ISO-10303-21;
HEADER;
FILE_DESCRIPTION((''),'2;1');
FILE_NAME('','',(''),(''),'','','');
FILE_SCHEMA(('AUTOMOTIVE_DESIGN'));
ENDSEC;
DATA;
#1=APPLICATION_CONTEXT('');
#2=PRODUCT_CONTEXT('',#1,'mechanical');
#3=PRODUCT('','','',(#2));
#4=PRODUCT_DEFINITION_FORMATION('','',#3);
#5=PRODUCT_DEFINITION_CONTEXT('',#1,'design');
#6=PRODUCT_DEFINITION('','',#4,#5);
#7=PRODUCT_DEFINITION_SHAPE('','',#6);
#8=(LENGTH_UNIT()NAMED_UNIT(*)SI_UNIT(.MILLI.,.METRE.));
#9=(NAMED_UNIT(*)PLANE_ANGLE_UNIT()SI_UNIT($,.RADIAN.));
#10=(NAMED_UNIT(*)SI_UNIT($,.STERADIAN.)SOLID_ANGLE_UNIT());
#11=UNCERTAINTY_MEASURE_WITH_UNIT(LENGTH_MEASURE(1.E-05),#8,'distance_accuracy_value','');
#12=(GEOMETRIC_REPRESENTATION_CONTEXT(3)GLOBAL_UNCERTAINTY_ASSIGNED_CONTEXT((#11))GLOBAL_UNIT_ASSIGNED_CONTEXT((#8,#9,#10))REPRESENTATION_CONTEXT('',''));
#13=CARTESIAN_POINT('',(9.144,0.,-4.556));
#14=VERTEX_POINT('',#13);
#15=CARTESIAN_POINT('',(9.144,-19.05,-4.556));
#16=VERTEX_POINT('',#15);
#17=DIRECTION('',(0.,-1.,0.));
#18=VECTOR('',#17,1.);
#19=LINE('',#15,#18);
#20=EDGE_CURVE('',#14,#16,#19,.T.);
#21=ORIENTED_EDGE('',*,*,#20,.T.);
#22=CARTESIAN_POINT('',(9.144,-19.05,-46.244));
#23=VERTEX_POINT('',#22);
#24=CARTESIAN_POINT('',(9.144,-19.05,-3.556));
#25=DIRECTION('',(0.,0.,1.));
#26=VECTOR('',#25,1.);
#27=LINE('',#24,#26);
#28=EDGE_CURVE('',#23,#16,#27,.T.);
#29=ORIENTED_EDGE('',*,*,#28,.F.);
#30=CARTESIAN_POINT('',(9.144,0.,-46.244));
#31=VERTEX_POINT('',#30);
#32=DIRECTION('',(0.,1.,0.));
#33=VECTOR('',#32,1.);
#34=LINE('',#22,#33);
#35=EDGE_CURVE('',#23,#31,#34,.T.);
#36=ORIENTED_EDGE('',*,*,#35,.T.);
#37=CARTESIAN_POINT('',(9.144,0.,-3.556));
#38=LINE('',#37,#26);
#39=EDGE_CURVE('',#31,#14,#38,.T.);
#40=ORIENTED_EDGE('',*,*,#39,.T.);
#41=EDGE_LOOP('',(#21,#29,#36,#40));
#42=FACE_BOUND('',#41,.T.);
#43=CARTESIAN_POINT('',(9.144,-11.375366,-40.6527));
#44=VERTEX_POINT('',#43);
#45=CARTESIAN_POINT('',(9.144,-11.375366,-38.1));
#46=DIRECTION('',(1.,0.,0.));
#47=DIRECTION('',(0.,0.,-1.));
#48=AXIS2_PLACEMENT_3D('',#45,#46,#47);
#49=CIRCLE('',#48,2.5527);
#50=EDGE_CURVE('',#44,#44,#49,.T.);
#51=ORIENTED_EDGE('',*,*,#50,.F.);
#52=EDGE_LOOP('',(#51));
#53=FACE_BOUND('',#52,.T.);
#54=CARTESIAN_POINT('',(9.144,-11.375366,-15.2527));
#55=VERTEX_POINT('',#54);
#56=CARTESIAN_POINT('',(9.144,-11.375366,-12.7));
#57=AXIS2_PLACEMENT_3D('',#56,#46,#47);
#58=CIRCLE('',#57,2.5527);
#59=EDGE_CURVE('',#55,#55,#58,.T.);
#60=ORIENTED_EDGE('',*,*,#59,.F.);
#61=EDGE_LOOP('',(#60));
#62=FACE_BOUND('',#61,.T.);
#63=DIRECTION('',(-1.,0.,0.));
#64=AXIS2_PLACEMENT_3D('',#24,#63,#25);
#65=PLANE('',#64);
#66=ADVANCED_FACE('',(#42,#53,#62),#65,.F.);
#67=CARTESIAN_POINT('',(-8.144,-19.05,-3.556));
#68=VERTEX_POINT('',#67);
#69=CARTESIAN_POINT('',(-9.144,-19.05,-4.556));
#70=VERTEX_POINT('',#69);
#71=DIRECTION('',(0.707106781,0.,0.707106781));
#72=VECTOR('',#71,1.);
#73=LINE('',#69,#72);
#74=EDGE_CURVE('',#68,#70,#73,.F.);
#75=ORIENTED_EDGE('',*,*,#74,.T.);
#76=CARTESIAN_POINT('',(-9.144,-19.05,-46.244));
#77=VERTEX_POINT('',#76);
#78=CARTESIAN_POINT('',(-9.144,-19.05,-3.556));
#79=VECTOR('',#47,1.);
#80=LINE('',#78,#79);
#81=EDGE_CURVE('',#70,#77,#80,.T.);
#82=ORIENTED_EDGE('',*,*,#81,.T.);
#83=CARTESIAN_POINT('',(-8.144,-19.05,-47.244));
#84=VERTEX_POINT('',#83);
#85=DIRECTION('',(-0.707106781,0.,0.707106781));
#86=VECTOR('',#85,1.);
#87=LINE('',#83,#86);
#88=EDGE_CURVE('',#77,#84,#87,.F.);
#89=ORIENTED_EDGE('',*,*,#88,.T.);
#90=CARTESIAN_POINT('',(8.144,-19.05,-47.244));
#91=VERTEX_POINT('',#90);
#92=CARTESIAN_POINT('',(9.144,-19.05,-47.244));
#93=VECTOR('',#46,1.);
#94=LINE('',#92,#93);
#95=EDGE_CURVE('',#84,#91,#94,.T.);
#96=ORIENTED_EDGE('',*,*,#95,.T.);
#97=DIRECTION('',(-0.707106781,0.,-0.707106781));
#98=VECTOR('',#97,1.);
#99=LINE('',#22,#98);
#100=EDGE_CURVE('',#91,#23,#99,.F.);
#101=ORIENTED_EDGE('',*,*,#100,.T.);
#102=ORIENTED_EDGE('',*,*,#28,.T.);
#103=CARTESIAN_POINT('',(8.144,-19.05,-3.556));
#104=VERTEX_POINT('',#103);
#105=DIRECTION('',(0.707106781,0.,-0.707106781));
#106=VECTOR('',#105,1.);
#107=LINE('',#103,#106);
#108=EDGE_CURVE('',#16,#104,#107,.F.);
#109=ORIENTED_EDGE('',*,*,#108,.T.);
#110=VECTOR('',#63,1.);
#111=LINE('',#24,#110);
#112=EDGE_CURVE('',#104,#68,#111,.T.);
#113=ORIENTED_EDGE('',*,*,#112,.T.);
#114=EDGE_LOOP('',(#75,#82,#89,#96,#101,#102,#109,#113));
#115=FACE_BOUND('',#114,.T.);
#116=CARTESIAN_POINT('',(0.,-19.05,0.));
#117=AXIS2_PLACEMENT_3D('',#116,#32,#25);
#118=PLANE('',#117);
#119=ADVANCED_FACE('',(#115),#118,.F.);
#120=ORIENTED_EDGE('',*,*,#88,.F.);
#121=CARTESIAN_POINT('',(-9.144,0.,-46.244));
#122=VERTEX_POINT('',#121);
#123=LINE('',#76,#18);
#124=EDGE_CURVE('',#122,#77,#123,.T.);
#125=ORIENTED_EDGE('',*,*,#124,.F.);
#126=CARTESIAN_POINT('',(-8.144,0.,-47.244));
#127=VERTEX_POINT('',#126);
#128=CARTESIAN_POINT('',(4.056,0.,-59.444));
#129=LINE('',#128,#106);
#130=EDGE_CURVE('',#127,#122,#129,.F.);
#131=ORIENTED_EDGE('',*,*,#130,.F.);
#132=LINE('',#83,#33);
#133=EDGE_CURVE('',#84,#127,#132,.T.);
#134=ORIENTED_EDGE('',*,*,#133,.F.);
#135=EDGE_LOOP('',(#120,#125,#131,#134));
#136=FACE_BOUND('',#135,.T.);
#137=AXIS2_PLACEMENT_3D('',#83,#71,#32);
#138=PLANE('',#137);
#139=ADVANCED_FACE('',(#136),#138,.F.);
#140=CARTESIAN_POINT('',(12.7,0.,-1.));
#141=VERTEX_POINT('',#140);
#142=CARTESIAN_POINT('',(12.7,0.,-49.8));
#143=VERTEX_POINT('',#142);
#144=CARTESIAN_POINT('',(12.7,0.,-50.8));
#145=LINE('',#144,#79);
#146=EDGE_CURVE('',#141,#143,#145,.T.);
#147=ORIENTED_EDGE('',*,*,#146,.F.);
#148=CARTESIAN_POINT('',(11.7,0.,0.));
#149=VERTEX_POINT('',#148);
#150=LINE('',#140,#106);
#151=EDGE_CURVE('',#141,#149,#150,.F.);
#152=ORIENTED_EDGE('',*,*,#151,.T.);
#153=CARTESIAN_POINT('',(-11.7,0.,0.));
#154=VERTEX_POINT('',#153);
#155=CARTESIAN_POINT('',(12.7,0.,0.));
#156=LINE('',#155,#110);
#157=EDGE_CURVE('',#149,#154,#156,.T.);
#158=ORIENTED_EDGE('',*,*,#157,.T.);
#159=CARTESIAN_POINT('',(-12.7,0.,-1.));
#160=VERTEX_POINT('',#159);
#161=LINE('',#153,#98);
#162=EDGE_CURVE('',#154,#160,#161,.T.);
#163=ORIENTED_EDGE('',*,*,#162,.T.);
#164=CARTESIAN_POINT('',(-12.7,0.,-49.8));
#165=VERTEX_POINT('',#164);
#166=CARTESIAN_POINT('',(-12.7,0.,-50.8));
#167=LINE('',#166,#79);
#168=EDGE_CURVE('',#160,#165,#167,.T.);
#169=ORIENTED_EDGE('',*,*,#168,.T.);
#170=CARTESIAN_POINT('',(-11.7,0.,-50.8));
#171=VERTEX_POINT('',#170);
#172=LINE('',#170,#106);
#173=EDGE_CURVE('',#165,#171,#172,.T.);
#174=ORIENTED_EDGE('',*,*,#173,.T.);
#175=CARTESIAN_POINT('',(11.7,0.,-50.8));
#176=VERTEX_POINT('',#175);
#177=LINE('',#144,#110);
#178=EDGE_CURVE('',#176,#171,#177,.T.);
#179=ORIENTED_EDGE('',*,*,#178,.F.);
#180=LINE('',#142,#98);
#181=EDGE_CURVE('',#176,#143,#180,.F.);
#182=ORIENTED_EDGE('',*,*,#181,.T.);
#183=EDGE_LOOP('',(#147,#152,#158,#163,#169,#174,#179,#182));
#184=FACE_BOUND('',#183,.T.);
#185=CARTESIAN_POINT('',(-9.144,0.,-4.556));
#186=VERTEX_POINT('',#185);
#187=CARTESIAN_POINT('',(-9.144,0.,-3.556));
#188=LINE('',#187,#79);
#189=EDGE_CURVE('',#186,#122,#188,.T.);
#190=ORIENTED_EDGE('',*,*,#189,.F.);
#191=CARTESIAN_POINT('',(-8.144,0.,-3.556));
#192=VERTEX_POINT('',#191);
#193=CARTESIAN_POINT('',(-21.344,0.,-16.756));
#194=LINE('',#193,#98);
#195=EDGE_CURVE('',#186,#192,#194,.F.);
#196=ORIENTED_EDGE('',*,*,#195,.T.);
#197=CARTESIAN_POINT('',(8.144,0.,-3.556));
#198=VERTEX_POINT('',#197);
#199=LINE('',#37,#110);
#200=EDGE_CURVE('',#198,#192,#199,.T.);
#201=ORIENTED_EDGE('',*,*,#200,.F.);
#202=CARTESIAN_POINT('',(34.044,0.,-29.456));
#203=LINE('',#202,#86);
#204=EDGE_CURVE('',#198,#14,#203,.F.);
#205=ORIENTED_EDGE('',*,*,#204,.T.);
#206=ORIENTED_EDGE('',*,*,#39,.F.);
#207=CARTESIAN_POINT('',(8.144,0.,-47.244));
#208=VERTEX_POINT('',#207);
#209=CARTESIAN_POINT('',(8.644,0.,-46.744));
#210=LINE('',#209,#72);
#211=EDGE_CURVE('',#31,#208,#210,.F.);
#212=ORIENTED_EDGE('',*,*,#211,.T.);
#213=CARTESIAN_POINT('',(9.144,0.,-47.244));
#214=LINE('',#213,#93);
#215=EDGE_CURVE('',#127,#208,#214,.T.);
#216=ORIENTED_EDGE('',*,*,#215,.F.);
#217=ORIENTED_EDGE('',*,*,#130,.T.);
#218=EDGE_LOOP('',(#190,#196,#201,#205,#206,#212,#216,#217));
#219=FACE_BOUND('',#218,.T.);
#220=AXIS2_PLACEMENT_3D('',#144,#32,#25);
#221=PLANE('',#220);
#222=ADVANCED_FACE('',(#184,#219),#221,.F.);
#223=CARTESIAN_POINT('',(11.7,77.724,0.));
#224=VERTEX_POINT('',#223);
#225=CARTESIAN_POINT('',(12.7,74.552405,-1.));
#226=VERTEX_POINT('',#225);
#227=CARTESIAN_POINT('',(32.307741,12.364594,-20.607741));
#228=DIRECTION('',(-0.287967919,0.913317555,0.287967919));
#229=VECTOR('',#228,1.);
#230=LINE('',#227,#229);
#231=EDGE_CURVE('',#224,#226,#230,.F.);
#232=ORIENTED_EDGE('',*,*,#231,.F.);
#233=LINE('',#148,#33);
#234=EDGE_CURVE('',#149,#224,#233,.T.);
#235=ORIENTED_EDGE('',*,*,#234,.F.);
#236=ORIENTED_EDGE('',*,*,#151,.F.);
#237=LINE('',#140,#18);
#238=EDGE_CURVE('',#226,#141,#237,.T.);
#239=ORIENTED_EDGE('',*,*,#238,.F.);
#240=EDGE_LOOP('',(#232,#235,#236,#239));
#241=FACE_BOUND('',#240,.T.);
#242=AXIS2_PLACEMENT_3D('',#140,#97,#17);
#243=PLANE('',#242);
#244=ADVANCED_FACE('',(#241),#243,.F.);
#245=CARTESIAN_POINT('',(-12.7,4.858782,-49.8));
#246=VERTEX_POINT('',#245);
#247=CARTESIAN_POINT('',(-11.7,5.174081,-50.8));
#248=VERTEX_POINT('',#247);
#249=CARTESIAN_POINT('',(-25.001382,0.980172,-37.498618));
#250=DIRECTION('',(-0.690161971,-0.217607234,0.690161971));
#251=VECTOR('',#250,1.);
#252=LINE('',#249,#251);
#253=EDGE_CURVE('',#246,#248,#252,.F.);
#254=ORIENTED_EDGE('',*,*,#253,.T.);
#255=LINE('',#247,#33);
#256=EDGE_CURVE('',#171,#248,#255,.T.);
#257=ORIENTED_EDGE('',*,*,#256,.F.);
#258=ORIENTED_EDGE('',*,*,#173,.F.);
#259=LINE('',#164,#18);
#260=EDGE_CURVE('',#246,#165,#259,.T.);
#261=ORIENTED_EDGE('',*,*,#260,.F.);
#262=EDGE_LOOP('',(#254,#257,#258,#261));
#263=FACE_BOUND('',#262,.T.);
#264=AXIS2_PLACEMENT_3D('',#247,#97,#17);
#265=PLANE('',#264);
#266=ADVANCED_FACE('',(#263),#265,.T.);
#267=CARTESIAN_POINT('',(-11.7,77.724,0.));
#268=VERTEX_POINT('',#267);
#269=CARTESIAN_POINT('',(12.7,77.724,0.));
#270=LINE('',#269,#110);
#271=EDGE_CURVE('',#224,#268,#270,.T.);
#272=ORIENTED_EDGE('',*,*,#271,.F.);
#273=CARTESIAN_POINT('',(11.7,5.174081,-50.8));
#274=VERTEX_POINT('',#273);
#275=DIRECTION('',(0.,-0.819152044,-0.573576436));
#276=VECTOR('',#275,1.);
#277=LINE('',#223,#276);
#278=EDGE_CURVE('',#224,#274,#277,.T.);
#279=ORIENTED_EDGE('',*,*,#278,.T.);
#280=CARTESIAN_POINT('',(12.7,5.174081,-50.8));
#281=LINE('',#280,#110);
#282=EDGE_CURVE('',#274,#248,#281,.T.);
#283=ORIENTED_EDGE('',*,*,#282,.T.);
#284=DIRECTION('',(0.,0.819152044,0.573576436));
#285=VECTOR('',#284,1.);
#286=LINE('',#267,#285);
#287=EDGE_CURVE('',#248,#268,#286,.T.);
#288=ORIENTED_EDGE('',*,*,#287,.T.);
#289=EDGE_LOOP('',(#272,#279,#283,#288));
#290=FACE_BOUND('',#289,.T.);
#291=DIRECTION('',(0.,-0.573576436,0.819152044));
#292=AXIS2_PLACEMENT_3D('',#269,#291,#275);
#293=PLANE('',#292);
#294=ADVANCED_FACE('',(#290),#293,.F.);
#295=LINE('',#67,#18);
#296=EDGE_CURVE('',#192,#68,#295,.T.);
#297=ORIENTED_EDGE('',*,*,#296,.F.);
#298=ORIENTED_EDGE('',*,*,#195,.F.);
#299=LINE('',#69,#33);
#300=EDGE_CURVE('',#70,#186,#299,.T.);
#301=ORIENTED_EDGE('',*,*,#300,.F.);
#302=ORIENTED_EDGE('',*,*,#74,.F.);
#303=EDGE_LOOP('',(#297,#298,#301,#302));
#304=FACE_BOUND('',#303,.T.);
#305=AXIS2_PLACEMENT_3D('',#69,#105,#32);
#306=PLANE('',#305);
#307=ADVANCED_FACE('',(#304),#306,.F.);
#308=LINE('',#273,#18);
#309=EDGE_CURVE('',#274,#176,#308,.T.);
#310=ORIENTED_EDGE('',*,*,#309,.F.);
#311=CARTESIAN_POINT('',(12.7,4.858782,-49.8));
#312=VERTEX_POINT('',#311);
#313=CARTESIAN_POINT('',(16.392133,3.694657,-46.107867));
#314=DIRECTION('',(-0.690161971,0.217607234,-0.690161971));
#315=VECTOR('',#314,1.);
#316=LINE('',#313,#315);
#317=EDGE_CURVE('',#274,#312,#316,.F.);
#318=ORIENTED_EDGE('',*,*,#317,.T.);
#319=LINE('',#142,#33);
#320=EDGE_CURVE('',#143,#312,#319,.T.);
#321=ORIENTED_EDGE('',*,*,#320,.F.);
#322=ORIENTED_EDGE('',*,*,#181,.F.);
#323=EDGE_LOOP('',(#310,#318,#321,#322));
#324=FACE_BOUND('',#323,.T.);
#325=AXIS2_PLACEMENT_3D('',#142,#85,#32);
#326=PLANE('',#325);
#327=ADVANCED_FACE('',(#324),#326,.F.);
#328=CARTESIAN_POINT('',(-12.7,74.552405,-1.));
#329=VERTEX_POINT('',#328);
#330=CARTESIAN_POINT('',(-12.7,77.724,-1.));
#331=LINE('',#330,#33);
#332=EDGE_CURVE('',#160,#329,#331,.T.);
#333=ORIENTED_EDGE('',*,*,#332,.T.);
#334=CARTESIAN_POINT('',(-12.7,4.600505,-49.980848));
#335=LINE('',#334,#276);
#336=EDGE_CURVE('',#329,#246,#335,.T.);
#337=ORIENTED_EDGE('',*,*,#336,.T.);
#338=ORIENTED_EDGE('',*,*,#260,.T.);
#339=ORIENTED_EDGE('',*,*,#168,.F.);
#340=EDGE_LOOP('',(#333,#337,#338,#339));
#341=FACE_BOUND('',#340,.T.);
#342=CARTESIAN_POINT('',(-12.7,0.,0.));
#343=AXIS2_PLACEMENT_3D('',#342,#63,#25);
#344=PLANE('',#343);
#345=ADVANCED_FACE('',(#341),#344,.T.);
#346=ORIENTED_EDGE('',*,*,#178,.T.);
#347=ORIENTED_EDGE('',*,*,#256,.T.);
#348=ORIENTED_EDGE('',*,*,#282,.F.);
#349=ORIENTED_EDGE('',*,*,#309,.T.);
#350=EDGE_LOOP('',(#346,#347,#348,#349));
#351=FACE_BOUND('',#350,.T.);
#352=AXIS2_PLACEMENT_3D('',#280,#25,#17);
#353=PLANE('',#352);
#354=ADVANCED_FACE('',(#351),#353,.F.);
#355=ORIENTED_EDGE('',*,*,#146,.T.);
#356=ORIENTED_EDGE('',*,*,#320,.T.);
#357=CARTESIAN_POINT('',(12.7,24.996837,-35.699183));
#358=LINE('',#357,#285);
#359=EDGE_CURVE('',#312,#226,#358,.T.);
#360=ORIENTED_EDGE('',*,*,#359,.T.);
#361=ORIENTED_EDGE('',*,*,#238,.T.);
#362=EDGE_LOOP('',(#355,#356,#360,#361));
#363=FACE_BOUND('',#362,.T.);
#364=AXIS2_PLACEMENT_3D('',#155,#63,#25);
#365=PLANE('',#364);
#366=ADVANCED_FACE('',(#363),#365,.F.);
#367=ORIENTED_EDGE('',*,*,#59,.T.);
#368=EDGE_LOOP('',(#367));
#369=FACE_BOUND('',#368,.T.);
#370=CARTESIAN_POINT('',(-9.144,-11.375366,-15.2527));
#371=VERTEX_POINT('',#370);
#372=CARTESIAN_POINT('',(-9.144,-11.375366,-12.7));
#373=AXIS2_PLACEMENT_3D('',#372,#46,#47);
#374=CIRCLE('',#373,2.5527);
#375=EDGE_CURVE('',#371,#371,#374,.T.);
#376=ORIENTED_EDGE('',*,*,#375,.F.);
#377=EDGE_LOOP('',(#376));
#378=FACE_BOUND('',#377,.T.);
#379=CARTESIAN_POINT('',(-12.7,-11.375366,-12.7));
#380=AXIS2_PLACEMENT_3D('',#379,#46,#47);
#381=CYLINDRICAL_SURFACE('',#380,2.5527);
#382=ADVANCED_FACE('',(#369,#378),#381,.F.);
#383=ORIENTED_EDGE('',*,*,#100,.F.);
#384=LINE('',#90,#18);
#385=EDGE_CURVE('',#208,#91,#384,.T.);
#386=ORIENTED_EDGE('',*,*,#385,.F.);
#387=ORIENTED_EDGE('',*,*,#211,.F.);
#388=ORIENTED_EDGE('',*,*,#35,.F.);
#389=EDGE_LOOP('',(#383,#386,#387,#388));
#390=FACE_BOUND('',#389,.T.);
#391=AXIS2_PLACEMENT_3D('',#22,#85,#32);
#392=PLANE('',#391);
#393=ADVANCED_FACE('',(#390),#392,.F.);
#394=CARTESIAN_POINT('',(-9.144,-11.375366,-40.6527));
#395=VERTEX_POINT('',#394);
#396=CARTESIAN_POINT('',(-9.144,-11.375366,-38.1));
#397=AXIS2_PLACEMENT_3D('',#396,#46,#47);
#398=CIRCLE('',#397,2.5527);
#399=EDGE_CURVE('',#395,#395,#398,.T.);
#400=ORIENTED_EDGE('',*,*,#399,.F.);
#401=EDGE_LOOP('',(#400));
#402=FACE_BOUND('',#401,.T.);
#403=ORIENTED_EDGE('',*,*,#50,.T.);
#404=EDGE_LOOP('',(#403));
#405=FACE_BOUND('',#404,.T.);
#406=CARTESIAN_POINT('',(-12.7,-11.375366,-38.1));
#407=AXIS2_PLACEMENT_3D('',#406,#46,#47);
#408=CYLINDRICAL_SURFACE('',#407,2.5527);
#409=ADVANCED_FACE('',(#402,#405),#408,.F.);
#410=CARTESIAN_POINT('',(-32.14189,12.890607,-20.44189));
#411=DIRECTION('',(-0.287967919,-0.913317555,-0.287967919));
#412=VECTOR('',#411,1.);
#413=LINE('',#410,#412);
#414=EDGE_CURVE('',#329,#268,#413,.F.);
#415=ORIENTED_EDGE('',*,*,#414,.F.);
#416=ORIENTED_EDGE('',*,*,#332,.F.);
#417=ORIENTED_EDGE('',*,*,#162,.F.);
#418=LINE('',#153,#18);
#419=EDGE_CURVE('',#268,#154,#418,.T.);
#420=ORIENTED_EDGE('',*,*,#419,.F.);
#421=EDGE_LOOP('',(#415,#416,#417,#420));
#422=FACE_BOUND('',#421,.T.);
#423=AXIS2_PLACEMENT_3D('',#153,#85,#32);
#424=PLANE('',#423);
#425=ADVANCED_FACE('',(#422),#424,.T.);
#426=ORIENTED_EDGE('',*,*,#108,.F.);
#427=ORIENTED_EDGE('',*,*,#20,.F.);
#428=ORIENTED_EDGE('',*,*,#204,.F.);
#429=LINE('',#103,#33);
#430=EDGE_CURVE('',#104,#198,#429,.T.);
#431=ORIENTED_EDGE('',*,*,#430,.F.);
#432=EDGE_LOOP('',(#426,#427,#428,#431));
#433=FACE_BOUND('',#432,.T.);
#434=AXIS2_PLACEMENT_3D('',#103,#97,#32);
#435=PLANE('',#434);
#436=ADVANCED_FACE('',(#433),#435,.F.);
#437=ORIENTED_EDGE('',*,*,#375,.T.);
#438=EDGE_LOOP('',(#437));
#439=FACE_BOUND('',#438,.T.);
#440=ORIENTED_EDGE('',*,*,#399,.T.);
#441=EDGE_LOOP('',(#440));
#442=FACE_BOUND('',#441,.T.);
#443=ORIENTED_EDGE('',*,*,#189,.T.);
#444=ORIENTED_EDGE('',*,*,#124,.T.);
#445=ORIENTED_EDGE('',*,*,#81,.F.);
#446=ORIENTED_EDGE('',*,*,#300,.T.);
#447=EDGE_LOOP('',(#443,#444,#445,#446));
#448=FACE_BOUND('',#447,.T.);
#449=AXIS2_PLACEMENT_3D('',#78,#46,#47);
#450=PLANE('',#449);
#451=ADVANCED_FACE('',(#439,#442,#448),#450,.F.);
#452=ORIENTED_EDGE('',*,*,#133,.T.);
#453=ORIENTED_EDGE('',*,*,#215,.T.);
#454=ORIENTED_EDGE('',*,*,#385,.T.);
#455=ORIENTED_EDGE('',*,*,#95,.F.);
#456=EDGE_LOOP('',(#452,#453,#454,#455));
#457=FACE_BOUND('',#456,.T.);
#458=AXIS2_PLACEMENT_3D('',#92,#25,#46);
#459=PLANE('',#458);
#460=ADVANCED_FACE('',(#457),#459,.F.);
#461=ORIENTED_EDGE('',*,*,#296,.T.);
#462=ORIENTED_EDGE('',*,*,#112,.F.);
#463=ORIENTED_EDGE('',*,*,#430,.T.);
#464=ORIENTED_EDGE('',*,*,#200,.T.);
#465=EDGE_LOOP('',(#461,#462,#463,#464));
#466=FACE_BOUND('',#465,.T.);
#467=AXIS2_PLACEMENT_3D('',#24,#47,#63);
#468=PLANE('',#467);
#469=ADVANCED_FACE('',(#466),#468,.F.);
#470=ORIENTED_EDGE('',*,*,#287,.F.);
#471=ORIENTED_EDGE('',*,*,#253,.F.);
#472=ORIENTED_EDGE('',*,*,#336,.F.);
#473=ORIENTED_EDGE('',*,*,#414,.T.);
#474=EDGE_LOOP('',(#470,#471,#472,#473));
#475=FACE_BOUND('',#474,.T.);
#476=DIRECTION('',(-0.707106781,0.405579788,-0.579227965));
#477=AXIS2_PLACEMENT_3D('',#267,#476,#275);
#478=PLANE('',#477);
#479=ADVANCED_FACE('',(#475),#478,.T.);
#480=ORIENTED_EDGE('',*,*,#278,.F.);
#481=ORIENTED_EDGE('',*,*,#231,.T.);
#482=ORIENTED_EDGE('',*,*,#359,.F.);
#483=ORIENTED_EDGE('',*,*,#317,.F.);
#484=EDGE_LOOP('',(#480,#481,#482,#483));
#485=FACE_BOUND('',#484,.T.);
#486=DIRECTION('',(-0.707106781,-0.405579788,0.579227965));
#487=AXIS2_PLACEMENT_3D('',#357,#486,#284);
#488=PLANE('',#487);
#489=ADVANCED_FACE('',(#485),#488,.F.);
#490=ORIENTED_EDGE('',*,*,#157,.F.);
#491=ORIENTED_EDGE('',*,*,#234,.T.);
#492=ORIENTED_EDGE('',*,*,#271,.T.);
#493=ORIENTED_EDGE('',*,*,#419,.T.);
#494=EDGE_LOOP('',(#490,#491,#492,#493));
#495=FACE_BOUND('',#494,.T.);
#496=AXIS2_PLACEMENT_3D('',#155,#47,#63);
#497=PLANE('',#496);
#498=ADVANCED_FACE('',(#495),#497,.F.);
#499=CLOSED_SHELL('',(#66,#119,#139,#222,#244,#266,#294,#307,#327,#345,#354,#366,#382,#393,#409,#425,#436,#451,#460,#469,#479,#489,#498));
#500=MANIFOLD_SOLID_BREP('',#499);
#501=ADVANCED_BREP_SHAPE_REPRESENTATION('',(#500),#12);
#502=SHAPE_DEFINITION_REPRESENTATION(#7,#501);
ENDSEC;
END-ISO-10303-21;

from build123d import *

# Parameters (mm, degrees)
BOSS_EXTRUDE1_DEPTH = 12.7
SKETCH2_W           = 18.288
SKETCH2_H           = 43.688
BOSS_EXTRUDE2_DEPTH = 19.05
SKETCH3_R           = 2.5527
CUT_EXTRUDE1_DEPTH  = 22.844
CHAMFER1_SIZE       = 1


with BuildPart() as part:
    # Sketch1 → Boss-Extrude1 (new body, symmetric)
    with BuildSketch(Plane(origin=(0, 0, 0), x_dir=(0, 0, -1), z_dir=(1, 0, 0))):
        Polygon((0, 0), (0, 77.724), (50.8, 5.174081258), (50.8, 0), align=None)
    extrude(amount=BOSS_EXTRUDE1_DEPTH, both=True)

    # Sketch2 → Boss-Extrude2 (add)
    with BuildSketch(Plane.XZ):
        with Locations((0, -25.4)):
            Rectangle(SKETCH2_W, SKETCH2_H)
    extrude(amount=BOSS_EXTRUDE2_DEPTH)

    # Sketch3 → Cut-Extrude1 (cut, through all)
    with BuildSketch(Plane(origin=(9.144, 0, 0), x_dir=(0, 0, -1), z_dir=(1, 0, 0))):
        with Locations((38.1, -11.375365521)):
            Circle(SKETCH3_R)
        with Locations((12.7, -11.375365521)):
            Circle(SKETCH3_R)
    extrude(amount=-CUT_EXTRUDE1_DEPTH, mode=Mode.SUBTRACT)

    # Chamfer1
    chamfer1_edges = [part.edges().sort_by_distance(p)[0] for p in [
        (12.7, 41.449040629, -25.4),
        (9.144, -9.525, -47.244),
        (9.144, -9.525, -3.556),
        (-9.144, -9.525, -3.556),
        (12.7, 38.862, 0),
        (-9.144, -9.525, -47.244),
        (-12.7, 38.862, 0),
        (-12.7, 41.449040629, -25.4),
        (-12.7, 2.587040629, -50.8),
        (12.7, 2.587040629, -50.8),
    ]]
    chamfer(chamfer1_edges, length=CHAMFER1_SIZE)


solid = part.part
